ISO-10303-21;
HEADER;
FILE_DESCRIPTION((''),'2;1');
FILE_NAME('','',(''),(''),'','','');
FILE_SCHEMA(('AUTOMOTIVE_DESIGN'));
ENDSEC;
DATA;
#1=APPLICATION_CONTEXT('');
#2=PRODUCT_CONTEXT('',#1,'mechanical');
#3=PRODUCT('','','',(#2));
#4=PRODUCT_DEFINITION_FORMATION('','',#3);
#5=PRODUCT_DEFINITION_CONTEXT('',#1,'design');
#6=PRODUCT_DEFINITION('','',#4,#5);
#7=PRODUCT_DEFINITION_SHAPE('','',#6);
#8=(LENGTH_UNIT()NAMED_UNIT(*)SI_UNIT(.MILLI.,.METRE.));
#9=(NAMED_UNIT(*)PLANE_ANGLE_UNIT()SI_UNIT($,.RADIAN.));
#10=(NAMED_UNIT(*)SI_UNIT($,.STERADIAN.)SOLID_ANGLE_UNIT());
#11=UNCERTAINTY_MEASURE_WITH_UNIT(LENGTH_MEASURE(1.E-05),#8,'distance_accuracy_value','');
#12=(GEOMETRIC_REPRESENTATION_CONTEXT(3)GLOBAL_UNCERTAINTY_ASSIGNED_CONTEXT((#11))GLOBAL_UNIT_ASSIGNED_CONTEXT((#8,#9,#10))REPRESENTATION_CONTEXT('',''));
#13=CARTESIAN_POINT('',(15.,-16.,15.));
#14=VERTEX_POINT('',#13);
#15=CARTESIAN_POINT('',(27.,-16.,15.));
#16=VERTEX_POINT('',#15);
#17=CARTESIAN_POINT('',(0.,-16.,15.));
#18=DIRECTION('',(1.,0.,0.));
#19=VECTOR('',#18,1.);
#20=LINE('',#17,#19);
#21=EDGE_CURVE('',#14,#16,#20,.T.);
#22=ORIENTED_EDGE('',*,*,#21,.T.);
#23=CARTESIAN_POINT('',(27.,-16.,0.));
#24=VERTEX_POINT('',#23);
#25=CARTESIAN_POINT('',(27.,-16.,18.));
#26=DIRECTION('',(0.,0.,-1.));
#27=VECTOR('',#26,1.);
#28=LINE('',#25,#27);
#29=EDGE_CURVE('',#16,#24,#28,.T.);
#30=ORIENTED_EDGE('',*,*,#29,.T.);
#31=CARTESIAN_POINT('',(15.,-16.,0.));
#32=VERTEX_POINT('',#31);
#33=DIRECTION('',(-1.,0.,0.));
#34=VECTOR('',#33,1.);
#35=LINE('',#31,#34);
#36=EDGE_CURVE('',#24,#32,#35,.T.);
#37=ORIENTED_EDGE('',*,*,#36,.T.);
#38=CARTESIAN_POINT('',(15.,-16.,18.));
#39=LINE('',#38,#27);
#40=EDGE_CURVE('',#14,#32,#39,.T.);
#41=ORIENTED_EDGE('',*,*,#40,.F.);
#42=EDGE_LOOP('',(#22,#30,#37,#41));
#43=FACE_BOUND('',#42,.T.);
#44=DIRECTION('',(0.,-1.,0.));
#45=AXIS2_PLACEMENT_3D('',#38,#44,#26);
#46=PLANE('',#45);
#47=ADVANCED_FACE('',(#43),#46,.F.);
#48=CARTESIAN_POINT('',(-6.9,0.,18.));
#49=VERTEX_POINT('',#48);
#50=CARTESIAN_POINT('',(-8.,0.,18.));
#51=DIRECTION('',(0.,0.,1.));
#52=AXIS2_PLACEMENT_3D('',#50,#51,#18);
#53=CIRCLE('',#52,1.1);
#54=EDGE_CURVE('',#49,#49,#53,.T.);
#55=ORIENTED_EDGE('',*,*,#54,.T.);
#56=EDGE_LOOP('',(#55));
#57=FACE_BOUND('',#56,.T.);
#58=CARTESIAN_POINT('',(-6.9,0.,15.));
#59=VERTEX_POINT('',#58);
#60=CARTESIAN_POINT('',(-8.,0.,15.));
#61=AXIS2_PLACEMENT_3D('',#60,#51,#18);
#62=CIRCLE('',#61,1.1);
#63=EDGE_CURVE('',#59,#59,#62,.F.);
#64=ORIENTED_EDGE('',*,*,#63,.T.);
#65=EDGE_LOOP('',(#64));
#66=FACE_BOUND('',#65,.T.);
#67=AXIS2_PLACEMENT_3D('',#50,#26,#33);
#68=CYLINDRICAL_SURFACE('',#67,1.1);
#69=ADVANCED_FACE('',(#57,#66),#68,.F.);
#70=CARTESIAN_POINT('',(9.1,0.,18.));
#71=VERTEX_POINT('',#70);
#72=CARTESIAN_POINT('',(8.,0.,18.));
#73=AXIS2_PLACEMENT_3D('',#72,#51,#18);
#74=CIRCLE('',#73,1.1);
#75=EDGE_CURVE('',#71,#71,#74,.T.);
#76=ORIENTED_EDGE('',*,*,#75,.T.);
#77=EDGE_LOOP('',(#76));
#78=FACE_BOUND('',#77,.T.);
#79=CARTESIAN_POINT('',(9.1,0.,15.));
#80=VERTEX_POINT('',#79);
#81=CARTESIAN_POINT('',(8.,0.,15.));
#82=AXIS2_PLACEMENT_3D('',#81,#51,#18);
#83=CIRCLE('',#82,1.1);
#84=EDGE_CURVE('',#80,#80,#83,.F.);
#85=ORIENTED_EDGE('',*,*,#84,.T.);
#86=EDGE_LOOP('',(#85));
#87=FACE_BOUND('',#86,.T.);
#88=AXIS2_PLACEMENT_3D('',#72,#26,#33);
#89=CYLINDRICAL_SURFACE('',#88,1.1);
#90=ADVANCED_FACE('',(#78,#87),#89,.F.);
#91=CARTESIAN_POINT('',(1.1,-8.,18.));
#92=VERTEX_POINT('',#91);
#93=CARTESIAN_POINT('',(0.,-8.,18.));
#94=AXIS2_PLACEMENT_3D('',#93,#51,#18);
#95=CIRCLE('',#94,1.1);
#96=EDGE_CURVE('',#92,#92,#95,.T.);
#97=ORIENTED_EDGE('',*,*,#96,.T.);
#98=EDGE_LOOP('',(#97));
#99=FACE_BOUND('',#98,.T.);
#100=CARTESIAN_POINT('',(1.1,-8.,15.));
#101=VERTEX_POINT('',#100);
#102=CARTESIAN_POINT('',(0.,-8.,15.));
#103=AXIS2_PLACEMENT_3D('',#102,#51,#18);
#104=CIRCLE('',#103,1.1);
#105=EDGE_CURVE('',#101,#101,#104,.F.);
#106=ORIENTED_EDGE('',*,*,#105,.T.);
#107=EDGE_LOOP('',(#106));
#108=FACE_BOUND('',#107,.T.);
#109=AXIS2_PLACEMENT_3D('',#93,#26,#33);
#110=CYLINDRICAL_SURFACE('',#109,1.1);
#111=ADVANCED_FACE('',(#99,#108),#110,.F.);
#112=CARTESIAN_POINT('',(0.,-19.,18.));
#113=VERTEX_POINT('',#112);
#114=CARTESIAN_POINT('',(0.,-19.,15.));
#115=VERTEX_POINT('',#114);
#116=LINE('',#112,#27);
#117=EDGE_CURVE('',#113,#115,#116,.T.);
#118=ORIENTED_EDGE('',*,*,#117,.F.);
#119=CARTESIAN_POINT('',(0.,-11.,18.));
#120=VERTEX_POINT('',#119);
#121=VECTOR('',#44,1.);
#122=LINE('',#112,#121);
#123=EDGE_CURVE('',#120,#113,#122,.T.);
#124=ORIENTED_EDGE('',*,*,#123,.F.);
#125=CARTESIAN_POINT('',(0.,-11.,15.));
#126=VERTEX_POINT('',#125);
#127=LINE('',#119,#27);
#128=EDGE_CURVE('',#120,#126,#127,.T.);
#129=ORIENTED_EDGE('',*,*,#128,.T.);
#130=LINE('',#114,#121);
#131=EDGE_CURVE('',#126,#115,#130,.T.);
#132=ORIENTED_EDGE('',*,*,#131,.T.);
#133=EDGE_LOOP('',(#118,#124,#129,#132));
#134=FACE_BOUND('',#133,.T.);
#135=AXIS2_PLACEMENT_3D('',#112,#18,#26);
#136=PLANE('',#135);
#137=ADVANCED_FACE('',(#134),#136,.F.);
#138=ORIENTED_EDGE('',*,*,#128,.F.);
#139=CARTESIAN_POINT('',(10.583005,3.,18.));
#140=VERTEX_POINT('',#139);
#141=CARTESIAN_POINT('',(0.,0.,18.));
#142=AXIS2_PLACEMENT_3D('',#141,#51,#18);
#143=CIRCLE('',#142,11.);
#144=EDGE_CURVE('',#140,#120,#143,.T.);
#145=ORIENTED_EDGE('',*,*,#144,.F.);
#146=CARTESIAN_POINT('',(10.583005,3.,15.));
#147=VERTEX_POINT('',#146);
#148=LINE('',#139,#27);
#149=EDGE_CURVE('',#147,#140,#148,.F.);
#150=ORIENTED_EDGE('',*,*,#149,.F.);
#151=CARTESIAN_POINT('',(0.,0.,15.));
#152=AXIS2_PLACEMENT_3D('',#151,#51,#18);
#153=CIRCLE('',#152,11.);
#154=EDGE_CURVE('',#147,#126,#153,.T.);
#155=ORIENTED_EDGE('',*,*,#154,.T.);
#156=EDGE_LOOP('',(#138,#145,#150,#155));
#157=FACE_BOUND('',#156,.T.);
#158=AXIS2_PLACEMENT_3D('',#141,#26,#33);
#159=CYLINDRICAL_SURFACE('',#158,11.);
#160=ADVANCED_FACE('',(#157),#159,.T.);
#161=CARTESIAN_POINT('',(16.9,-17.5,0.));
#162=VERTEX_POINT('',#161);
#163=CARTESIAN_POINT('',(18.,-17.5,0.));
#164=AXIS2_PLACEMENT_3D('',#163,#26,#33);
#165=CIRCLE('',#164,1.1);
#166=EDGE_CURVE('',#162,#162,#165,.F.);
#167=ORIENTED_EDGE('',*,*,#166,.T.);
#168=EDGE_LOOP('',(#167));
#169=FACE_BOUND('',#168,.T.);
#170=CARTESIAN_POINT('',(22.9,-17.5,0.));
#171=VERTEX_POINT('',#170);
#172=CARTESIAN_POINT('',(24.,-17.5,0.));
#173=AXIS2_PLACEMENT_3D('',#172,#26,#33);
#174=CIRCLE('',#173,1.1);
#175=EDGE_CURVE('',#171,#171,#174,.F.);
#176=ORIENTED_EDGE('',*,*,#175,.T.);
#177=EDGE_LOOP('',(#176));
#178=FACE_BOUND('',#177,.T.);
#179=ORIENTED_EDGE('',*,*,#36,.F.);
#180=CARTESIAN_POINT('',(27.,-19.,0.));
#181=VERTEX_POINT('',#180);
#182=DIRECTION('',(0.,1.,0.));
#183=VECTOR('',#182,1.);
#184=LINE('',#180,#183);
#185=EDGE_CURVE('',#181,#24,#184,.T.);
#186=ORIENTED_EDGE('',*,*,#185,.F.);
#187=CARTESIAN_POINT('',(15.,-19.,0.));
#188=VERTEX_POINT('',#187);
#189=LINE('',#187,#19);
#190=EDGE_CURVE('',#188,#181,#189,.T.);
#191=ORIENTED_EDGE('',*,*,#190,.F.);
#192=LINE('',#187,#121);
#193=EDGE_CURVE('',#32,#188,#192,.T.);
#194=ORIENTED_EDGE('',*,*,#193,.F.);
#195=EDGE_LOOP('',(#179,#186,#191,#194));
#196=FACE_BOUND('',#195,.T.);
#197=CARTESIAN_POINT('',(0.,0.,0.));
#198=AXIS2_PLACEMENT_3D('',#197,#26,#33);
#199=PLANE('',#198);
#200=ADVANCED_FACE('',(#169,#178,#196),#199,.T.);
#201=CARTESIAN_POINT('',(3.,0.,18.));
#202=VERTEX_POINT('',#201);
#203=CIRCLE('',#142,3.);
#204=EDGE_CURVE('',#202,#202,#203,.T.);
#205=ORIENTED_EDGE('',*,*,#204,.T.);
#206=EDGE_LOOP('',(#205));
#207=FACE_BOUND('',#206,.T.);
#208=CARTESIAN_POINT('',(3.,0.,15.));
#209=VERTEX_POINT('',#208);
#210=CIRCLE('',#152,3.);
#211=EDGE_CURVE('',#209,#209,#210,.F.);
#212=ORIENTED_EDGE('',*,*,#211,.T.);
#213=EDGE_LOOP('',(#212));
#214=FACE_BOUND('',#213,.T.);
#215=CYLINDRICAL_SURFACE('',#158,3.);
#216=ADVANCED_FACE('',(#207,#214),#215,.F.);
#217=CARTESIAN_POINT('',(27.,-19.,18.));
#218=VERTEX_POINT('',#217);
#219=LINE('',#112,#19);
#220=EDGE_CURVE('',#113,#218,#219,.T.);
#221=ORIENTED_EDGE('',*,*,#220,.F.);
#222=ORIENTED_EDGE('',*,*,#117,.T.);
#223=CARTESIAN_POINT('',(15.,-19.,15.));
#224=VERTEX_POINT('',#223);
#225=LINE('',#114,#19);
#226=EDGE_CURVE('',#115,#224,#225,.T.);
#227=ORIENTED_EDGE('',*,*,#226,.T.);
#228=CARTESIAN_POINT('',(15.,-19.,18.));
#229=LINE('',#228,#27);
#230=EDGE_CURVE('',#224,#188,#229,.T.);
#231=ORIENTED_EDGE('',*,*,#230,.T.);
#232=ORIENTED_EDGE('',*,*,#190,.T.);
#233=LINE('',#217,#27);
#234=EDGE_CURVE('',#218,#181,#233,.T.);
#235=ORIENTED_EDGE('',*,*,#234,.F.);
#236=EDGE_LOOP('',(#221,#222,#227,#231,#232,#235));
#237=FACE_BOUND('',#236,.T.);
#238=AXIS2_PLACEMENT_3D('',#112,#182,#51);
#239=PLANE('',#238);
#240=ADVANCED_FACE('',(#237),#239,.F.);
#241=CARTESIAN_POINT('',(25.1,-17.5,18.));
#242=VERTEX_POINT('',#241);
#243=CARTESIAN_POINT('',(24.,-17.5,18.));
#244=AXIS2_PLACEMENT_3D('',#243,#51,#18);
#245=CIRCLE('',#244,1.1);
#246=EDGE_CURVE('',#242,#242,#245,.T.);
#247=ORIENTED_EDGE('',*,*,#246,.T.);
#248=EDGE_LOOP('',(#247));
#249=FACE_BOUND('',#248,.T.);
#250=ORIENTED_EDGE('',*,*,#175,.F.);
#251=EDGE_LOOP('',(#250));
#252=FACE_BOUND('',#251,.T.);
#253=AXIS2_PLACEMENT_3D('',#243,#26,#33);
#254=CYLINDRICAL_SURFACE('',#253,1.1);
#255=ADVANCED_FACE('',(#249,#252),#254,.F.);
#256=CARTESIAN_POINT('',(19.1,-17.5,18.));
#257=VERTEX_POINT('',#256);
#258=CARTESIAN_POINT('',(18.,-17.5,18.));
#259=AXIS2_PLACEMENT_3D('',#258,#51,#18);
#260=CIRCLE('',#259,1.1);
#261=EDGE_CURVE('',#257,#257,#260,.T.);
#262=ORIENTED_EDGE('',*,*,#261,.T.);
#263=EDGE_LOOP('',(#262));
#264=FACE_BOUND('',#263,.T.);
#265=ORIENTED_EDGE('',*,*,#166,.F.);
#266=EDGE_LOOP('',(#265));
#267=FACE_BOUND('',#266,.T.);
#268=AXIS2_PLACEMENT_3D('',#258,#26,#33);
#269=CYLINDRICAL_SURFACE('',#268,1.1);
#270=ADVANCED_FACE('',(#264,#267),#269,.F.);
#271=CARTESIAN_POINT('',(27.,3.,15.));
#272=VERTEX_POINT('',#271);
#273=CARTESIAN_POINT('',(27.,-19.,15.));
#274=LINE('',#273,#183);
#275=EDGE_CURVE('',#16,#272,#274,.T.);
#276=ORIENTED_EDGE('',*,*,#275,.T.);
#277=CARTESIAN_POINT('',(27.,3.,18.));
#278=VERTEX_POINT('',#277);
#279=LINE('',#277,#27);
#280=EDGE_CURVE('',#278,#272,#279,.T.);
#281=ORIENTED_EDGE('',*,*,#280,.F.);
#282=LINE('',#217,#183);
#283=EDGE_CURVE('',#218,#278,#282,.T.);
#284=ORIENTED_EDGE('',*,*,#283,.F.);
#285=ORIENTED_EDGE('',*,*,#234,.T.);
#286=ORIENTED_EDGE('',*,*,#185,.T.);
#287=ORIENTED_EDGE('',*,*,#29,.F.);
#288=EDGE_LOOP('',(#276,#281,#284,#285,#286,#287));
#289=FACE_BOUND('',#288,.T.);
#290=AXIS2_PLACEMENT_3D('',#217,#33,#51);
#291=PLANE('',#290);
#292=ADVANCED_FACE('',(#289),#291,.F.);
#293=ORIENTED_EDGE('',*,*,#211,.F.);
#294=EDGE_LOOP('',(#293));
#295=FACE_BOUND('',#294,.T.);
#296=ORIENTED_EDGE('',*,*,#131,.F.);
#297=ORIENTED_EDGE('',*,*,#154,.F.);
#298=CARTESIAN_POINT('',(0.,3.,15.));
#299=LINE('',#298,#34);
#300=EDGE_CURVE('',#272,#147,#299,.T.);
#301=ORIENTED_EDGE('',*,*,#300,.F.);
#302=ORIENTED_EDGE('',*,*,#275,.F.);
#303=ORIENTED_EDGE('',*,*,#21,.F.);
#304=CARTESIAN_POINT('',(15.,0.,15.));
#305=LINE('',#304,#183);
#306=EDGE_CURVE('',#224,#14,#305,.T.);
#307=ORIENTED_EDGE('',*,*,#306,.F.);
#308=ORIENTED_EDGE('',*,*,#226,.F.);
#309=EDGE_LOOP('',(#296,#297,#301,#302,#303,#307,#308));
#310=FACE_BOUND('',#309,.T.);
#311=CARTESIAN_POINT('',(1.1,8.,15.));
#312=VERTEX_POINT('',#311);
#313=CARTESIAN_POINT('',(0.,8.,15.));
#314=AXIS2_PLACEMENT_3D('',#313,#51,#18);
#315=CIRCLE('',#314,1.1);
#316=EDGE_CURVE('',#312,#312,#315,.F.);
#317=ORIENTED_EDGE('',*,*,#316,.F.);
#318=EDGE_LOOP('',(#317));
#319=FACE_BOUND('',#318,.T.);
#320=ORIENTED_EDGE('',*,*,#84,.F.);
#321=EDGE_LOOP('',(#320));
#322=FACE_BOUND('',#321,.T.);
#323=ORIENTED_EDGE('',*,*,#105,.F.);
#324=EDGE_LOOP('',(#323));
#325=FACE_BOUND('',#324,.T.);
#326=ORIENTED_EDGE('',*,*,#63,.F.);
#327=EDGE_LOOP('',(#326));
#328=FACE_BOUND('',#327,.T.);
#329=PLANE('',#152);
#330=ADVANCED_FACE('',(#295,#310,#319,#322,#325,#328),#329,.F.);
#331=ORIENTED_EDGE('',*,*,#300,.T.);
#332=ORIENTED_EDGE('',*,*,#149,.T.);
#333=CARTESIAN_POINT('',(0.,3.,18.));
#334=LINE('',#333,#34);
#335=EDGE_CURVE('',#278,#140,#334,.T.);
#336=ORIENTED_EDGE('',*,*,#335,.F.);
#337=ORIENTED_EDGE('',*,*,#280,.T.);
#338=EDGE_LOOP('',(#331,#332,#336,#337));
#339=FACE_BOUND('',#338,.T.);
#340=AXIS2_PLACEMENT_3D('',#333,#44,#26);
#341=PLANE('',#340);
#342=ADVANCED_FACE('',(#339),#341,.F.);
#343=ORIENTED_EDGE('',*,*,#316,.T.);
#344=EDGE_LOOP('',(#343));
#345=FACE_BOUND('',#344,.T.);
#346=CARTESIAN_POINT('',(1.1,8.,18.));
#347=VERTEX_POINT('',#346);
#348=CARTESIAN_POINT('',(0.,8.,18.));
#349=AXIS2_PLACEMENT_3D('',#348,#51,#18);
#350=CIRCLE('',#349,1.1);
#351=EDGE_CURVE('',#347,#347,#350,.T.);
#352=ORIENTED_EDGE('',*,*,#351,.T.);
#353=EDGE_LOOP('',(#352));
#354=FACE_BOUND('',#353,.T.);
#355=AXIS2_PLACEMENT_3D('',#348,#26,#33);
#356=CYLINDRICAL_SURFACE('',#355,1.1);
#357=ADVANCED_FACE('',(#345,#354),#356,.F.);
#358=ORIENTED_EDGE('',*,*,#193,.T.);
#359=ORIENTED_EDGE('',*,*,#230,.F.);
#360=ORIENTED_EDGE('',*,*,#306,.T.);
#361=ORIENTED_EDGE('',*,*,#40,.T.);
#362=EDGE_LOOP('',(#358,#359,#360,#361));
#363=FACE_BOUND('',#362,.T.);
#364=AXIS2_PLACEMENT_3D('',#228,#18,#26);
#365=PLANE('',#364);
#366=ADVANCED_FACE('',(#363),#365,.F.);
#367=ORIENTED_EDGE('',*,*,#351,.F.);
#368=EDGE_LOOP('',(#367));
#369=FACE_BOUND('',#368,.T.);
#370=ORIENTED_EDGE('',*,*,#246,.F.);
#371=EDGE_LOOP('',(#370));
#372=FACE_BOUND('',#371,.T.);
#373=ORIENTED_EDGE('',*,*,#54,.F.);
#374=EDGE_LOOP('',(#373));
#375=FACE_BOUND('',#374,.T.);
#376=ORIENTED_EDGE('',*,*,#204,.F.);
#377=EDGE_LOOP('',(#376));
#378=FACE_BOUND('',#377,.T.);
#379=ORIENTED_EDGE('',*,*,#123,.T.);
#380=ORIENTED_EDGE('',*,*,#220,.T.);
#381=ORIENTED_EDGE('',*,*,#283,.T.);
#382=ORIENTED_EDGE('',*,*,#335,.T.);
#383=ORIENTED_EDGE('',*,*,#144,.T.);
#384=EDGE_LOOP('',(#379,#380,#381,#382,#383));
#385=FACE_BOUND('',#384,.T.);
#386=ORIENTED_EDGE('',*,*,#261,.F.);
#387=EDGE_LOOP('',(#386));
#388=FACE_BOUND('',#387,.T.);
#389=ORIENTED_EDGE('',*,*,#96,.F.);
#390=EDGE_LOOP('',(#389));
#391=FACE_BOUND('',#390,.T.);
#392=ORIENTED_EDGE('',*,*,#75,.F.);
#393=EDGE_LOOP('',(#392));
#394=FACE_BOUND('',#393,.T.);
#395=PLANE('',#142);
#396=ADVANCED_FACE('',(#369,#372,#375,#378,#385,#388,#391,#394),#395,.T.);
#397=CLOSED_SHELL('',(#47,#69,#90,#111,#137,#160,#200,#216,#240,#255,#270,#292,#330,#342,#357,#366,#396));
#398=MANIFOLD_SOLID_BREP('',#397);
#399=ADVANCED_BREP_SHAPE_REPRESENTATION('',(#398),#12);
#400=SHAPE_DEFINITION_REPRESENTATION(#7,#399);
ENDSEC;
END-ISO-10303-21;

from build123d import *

# Parameters (mm, degrees)
STOCK_HORN_ATTACHMENT_START         = 15
STOCK_HORN_ATTACHMENT_PROFILE_R     = 11
STOCK_HORN_ATTACHMENT_DEPTH         = 3
FINGER_ARM_START                    = 15
FINGER_ARM_PROFILE_W                = 27
FINGER_ARM_PROFILE_H                = 22
FINGER_ARM_DEPTH                    = 3
DESCENDING_CONTACT_FINGER_PROFILE_W = 12
DESCENDING_CONTACT_FINGER_PROFILE_H = 3
DESCENDING_CONTACT_FINGER_DEPTH     = 18
HORN_CENTER_ACCESS_START            = -50
HORN_CENTER_ACCESS_PROFILE_R        = 3
HORN_CENTER_ACCESS_DEPTH            = 88.603191354
HORN_SCREWS_START                   = -50
HORN_SCREWS_PROFILE_R               = 1.1
HORN_SCREWS_DEPTH                   = 88.603191354
CONTACT_PAD_KEEPER_START            = -50
CONTACT_PAD_KEEPER_PROFILE_R        = 1.1
CONTACT_PAD_KEEPER_DEPTH            = 88.603191354


with BuildPart() as part:
    # Stock_horn_attachment_profile → Stock_horn_attachment (new body)
    with BuildSketch(Plane.XY.offset(STOCK_HORN_ATTACHMENT_START)):
        Circle(STOCK_HORN_ATTACHMENT_PROFILE_R)
    extrude(amount=STOCK_HORN_ATTACHMENT_DEPTH)

    # Finger_arm_profile → Finger_arm (add)
    with BuildSketch(Plane.XY.offset(FINGER_ARM_START)):
        with Locations((13.5, -8)):
            Rectangle(FINGER_ARM_PROFILE_W, FINGER_ARM_PROFILE_H)
    extrude(amount=FINGER_ARM_DEPTH)

    # Descending_contact_finger_profile → Descending_contact_finger (add)
    with BuildSketch(Plane.XY):
        with Locations((21, -17.5)):
            Rectangle(DESCENDING_CONTACT_FINGER_PROFILE_W, DESCENDING_CONTACT_FINGER_PROFILE_H)
    extrude(amount=DESCENDING_CONTACT_FINGER_DEPTH)

    # Horn_center_access_profile → Horn_center_access (cut, through all)
    with BuildSketch(Plane.XY.offset(HORN_CENTER_ACCESS_START)):
        Circle(HORN_CENTER_ACCESS_PROFILE_R)
    extrude(amount=HORN_CENTER_ACCESS_DEPTH, mode=Mode.SUBTRACT)

    # Horn_screws_profile → Horn_screws (cut, through all)
    with BuildSketch(Plane.XY.offset(HORN_SCREWS_START)):
        with Locations((0, -8)):
            Circle(HORN_SCREWS_PROFILE_R)
        with Locations((0, 8)):
            Circle(HORN_SCREWS_PROFILE_R)
        with Locations((-8, 0)):
            Circle(HORN_SCREWS_PROFILE_R)
        with Locations((8, 0)):
            Circle(HORN_SCREWS_PROFILE_R)
    extrude(amount=HORN_SCREWS_DEPTH, mode=Mode.SUBTRACT)

    # Contact_pad_keeper_profile → Contact_pad_keeper (cut, through all)
    with BuildSketch(Plane.XY.offset(CONTACT_PAD_KEEPER_START)):
        with Locations(Location((18, -17.5, 0), (0, 0, 180))):
            Circle(CONTACT_PAD_KEEPER_PROFILE_R)
        with Locations(Location((24, -17.5, 0), (0, 0, 180))):
            Circle(CONTACT_PAD_KEEPER_PROFILE_R)
    extrude(amount=CONTACT_PAD_KEEPER_DEPTH, mode=Mode.SUBTRACT)


solid = part.part
